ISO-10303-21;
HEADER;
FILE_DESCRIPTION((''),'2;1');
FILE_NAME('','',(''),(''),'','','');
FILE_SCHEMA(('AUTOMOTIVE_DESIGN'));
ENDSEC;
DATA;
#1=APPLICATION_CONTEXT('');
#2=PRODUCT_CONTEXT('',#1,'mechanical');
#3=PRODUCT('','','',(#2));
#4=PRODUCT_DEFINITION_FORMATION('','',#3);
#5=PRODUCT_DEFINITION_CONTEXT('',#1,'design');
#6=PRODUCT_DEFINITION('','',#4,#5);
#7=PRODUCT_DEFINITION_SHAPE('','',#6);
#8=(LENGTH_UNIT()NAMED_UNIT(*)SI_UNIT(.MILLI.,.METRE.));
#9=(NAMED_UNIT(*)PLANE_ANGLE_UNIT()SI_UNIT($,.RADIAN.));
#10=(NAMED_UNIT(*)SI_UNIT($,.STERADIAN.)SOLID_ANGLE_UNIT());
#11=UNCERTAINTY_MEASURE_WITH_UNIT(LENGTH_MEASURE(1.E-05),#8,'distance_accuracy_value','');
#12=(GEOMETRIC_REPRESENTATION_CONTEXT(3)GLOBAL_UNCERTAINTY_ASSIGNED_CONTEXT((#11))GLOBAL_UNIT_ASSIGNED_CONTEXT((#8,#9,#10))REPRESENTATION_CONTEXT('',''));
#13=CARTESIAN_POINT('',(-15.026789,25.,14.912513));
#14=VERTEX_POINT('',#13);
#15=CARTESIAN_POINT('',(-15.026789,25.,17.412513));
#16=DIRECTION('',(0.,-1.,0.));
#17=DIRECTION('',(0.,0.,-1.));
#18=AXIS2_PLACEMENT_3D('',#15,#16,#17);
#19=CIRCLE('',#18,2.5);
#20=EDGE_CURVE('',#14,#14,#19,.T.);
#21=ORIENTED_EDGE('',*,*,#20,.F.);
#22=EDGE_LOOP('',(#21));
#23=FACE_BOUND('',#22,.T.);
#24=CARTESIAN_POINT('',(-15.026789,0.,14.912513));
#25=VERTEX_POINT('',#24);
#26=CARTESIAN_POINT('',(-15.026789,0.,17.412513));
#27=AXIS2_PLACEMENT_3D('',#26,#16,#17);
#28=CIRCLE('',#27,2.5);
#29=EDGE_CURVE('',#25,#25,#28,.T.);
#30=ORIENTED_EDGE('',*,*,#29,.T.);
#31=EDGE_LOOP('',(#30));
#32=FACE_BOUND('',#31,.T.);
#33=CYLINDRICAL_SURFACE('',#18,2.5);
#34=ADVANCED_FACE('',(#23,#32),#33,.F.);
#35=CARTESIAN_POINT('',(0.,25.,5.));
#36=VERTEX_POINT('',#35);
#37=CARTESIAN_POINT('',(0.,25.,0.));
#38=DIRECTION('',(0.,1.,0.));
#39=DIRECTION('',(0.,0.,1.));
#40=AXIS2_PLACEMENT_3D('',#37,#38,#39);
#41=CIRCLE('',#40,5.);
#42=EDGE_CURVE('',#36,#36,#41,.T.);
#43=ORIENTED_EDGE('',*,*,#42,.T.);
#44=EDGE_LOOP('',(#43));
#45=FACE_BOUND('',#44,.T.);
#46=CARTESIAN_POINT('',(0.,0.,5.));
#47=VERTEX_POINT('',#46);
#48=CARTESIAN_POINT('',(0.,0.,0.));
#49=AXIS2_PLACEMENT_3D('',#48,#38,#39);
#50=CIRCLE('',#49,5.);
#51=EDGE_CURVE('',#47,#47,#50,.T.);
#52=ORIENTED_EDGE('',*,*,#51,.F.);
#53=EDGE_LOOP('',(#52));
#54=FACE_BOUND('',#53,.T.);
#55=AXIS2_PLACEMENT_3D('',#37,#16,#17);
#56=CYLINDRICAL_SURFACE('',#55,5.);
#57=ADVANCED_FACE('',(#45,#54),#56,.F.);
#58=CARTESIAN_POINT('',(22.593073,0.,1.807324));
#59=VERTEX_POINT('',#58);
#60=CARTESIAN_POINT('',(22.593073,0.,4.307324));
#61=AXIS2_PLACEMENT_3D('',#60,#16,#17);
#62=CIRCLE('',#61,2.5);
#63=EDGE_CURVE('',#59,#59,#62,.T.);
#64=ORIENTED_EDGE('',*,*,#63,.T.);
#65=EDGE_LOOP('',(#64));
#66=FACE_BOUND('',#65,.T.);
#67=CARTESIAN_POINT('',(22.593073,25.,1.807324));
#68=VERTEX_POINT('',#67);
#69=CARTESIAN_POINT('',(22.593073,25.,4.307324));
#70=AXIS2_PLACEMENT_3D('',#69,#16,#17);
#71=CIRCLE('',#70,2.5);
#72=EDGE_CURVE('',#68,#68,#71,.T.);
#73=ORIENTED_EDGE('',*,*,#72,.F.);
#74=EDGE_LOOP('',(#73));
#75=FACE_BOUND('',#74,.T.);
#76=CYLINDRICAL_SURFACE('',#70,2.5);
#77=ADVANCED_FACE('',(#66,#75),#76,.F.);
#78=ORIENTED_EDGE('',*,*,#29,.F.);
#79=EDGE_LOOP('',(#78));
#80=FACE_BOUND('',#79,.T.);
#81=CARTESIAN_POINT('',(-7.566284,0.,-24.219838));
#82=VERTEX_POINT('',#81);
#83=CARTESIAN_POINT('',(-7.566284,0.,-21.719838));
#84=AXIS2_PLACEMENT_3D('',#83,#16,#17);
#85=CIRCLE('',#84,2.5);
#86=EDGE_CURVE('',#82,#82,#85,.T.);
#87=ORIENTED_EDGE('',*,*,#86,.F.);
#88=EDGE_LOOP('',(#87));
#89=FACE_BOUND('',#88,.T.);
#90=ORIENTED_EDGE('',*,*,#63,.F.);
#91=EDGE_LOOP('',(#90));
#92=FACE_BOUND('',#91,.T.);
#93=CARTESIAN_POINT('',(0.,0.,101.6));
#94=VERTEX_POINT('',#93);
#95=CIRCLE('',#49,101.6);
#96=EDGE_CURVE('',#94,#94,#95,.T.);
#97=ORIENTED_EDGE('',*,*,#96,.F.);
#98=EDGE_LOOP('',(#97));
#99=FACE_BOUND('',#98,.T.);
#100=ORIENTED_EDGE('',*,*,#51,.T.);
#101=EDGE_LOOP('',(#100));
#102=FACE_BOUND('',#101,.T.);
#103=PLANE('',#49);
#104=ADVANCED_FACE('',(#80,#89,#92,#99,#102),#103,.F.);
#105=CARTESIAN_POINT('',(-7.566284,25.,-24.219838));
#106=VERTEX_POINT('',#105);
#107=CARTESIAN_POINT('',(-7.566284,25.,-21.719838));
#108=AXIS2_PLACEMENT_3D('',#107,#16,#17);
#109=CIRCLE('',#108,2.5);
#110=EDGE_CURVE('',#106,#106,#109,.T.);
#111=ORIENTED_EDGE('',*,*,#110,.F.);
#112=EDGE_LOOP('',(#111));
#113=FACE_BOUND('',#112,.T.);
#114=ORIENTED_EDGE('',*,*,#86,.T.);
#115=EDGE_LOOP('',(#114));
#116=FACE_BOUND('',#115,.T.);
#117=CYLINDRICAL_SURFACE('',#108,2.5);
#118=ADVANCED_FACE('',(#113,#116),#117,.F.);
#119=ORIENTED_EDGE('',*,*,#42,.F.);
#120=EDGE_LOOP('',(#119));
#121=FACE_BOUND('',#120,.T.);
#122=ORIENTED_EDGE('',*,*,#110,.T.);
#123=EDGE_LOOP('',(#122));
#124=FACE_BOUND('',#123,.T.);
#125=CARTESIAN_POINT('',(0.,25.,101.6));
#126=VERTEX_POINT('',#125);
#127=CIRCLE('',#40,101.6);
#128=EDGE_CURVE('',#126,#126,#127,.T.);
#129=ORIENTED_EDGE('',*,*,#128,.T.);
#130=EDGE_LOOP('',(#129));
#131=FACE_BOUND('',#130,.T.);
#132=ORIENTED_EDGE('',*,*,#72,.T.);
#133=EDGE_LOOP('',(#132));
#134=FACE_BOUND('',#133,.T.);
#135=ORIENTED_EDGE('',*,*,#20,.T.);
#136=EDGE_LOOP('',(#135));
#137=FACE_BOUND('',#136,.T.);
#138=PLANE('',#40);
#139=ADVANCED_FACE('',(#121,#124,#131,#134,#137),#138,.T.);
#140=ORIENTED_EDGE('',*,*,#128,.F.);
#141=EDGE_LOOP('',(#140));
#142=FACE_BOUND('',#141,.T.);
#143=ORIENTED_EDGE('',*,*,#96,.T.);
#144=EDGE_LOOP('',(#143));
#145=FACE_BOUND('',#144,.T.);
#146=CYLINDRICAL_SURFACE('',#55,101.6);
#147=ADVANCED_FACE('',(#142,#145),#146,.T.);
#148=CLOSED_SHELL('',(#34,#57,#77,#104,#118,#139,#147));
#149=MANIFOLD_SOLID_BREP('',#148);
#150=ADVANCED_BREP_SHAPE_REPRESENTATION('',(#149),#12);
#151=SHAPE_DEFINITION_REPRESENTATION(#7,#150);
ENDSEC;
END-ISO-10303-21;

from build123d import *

# Parameters (mm, degrees)
SKETCH1_R           = 101.6
SKETCH1_R_2         = 5
BOSS_EXTRUDE8_DEPTH = 25
SKETCH2_R           = 2.5
CUT_EXTRUDE1_DEPTH  = 26


with BuildPart() as part:
    # Sketch1 → Boss-Extrude8 (new body)
    with BuildSketch(Plane(origin=(0, 0, 0), x_dir=(1, 0, 0), z_dir=(0, 1, 0))):
        Circle(SKETCH1_R)
        Circle(SKETCH1_R_2, mode=Mode.SUBTRACT)
    extrude(amount=BOSS_EXTRUDE8_DEPTH)

    # Sketch2 → Cut-Extrude1 (cut, through all)
    with BuildSketch(Plane.XZ):
        with Locations((22.59307321, 4.307324334)):
            Circle(SKETCH2_R)
        with Locations((-7.56628431, -21.719837517)):
            Circle(SKETCH2_R)
        with Locations((-15.026788901, 17.412513183)):
            Circle(SKETCH2_R)
    extrude(amount=-CUT_EXTRUDE1_DEPTH, mode=Mode.SUBTRACT)


solid = part.part
